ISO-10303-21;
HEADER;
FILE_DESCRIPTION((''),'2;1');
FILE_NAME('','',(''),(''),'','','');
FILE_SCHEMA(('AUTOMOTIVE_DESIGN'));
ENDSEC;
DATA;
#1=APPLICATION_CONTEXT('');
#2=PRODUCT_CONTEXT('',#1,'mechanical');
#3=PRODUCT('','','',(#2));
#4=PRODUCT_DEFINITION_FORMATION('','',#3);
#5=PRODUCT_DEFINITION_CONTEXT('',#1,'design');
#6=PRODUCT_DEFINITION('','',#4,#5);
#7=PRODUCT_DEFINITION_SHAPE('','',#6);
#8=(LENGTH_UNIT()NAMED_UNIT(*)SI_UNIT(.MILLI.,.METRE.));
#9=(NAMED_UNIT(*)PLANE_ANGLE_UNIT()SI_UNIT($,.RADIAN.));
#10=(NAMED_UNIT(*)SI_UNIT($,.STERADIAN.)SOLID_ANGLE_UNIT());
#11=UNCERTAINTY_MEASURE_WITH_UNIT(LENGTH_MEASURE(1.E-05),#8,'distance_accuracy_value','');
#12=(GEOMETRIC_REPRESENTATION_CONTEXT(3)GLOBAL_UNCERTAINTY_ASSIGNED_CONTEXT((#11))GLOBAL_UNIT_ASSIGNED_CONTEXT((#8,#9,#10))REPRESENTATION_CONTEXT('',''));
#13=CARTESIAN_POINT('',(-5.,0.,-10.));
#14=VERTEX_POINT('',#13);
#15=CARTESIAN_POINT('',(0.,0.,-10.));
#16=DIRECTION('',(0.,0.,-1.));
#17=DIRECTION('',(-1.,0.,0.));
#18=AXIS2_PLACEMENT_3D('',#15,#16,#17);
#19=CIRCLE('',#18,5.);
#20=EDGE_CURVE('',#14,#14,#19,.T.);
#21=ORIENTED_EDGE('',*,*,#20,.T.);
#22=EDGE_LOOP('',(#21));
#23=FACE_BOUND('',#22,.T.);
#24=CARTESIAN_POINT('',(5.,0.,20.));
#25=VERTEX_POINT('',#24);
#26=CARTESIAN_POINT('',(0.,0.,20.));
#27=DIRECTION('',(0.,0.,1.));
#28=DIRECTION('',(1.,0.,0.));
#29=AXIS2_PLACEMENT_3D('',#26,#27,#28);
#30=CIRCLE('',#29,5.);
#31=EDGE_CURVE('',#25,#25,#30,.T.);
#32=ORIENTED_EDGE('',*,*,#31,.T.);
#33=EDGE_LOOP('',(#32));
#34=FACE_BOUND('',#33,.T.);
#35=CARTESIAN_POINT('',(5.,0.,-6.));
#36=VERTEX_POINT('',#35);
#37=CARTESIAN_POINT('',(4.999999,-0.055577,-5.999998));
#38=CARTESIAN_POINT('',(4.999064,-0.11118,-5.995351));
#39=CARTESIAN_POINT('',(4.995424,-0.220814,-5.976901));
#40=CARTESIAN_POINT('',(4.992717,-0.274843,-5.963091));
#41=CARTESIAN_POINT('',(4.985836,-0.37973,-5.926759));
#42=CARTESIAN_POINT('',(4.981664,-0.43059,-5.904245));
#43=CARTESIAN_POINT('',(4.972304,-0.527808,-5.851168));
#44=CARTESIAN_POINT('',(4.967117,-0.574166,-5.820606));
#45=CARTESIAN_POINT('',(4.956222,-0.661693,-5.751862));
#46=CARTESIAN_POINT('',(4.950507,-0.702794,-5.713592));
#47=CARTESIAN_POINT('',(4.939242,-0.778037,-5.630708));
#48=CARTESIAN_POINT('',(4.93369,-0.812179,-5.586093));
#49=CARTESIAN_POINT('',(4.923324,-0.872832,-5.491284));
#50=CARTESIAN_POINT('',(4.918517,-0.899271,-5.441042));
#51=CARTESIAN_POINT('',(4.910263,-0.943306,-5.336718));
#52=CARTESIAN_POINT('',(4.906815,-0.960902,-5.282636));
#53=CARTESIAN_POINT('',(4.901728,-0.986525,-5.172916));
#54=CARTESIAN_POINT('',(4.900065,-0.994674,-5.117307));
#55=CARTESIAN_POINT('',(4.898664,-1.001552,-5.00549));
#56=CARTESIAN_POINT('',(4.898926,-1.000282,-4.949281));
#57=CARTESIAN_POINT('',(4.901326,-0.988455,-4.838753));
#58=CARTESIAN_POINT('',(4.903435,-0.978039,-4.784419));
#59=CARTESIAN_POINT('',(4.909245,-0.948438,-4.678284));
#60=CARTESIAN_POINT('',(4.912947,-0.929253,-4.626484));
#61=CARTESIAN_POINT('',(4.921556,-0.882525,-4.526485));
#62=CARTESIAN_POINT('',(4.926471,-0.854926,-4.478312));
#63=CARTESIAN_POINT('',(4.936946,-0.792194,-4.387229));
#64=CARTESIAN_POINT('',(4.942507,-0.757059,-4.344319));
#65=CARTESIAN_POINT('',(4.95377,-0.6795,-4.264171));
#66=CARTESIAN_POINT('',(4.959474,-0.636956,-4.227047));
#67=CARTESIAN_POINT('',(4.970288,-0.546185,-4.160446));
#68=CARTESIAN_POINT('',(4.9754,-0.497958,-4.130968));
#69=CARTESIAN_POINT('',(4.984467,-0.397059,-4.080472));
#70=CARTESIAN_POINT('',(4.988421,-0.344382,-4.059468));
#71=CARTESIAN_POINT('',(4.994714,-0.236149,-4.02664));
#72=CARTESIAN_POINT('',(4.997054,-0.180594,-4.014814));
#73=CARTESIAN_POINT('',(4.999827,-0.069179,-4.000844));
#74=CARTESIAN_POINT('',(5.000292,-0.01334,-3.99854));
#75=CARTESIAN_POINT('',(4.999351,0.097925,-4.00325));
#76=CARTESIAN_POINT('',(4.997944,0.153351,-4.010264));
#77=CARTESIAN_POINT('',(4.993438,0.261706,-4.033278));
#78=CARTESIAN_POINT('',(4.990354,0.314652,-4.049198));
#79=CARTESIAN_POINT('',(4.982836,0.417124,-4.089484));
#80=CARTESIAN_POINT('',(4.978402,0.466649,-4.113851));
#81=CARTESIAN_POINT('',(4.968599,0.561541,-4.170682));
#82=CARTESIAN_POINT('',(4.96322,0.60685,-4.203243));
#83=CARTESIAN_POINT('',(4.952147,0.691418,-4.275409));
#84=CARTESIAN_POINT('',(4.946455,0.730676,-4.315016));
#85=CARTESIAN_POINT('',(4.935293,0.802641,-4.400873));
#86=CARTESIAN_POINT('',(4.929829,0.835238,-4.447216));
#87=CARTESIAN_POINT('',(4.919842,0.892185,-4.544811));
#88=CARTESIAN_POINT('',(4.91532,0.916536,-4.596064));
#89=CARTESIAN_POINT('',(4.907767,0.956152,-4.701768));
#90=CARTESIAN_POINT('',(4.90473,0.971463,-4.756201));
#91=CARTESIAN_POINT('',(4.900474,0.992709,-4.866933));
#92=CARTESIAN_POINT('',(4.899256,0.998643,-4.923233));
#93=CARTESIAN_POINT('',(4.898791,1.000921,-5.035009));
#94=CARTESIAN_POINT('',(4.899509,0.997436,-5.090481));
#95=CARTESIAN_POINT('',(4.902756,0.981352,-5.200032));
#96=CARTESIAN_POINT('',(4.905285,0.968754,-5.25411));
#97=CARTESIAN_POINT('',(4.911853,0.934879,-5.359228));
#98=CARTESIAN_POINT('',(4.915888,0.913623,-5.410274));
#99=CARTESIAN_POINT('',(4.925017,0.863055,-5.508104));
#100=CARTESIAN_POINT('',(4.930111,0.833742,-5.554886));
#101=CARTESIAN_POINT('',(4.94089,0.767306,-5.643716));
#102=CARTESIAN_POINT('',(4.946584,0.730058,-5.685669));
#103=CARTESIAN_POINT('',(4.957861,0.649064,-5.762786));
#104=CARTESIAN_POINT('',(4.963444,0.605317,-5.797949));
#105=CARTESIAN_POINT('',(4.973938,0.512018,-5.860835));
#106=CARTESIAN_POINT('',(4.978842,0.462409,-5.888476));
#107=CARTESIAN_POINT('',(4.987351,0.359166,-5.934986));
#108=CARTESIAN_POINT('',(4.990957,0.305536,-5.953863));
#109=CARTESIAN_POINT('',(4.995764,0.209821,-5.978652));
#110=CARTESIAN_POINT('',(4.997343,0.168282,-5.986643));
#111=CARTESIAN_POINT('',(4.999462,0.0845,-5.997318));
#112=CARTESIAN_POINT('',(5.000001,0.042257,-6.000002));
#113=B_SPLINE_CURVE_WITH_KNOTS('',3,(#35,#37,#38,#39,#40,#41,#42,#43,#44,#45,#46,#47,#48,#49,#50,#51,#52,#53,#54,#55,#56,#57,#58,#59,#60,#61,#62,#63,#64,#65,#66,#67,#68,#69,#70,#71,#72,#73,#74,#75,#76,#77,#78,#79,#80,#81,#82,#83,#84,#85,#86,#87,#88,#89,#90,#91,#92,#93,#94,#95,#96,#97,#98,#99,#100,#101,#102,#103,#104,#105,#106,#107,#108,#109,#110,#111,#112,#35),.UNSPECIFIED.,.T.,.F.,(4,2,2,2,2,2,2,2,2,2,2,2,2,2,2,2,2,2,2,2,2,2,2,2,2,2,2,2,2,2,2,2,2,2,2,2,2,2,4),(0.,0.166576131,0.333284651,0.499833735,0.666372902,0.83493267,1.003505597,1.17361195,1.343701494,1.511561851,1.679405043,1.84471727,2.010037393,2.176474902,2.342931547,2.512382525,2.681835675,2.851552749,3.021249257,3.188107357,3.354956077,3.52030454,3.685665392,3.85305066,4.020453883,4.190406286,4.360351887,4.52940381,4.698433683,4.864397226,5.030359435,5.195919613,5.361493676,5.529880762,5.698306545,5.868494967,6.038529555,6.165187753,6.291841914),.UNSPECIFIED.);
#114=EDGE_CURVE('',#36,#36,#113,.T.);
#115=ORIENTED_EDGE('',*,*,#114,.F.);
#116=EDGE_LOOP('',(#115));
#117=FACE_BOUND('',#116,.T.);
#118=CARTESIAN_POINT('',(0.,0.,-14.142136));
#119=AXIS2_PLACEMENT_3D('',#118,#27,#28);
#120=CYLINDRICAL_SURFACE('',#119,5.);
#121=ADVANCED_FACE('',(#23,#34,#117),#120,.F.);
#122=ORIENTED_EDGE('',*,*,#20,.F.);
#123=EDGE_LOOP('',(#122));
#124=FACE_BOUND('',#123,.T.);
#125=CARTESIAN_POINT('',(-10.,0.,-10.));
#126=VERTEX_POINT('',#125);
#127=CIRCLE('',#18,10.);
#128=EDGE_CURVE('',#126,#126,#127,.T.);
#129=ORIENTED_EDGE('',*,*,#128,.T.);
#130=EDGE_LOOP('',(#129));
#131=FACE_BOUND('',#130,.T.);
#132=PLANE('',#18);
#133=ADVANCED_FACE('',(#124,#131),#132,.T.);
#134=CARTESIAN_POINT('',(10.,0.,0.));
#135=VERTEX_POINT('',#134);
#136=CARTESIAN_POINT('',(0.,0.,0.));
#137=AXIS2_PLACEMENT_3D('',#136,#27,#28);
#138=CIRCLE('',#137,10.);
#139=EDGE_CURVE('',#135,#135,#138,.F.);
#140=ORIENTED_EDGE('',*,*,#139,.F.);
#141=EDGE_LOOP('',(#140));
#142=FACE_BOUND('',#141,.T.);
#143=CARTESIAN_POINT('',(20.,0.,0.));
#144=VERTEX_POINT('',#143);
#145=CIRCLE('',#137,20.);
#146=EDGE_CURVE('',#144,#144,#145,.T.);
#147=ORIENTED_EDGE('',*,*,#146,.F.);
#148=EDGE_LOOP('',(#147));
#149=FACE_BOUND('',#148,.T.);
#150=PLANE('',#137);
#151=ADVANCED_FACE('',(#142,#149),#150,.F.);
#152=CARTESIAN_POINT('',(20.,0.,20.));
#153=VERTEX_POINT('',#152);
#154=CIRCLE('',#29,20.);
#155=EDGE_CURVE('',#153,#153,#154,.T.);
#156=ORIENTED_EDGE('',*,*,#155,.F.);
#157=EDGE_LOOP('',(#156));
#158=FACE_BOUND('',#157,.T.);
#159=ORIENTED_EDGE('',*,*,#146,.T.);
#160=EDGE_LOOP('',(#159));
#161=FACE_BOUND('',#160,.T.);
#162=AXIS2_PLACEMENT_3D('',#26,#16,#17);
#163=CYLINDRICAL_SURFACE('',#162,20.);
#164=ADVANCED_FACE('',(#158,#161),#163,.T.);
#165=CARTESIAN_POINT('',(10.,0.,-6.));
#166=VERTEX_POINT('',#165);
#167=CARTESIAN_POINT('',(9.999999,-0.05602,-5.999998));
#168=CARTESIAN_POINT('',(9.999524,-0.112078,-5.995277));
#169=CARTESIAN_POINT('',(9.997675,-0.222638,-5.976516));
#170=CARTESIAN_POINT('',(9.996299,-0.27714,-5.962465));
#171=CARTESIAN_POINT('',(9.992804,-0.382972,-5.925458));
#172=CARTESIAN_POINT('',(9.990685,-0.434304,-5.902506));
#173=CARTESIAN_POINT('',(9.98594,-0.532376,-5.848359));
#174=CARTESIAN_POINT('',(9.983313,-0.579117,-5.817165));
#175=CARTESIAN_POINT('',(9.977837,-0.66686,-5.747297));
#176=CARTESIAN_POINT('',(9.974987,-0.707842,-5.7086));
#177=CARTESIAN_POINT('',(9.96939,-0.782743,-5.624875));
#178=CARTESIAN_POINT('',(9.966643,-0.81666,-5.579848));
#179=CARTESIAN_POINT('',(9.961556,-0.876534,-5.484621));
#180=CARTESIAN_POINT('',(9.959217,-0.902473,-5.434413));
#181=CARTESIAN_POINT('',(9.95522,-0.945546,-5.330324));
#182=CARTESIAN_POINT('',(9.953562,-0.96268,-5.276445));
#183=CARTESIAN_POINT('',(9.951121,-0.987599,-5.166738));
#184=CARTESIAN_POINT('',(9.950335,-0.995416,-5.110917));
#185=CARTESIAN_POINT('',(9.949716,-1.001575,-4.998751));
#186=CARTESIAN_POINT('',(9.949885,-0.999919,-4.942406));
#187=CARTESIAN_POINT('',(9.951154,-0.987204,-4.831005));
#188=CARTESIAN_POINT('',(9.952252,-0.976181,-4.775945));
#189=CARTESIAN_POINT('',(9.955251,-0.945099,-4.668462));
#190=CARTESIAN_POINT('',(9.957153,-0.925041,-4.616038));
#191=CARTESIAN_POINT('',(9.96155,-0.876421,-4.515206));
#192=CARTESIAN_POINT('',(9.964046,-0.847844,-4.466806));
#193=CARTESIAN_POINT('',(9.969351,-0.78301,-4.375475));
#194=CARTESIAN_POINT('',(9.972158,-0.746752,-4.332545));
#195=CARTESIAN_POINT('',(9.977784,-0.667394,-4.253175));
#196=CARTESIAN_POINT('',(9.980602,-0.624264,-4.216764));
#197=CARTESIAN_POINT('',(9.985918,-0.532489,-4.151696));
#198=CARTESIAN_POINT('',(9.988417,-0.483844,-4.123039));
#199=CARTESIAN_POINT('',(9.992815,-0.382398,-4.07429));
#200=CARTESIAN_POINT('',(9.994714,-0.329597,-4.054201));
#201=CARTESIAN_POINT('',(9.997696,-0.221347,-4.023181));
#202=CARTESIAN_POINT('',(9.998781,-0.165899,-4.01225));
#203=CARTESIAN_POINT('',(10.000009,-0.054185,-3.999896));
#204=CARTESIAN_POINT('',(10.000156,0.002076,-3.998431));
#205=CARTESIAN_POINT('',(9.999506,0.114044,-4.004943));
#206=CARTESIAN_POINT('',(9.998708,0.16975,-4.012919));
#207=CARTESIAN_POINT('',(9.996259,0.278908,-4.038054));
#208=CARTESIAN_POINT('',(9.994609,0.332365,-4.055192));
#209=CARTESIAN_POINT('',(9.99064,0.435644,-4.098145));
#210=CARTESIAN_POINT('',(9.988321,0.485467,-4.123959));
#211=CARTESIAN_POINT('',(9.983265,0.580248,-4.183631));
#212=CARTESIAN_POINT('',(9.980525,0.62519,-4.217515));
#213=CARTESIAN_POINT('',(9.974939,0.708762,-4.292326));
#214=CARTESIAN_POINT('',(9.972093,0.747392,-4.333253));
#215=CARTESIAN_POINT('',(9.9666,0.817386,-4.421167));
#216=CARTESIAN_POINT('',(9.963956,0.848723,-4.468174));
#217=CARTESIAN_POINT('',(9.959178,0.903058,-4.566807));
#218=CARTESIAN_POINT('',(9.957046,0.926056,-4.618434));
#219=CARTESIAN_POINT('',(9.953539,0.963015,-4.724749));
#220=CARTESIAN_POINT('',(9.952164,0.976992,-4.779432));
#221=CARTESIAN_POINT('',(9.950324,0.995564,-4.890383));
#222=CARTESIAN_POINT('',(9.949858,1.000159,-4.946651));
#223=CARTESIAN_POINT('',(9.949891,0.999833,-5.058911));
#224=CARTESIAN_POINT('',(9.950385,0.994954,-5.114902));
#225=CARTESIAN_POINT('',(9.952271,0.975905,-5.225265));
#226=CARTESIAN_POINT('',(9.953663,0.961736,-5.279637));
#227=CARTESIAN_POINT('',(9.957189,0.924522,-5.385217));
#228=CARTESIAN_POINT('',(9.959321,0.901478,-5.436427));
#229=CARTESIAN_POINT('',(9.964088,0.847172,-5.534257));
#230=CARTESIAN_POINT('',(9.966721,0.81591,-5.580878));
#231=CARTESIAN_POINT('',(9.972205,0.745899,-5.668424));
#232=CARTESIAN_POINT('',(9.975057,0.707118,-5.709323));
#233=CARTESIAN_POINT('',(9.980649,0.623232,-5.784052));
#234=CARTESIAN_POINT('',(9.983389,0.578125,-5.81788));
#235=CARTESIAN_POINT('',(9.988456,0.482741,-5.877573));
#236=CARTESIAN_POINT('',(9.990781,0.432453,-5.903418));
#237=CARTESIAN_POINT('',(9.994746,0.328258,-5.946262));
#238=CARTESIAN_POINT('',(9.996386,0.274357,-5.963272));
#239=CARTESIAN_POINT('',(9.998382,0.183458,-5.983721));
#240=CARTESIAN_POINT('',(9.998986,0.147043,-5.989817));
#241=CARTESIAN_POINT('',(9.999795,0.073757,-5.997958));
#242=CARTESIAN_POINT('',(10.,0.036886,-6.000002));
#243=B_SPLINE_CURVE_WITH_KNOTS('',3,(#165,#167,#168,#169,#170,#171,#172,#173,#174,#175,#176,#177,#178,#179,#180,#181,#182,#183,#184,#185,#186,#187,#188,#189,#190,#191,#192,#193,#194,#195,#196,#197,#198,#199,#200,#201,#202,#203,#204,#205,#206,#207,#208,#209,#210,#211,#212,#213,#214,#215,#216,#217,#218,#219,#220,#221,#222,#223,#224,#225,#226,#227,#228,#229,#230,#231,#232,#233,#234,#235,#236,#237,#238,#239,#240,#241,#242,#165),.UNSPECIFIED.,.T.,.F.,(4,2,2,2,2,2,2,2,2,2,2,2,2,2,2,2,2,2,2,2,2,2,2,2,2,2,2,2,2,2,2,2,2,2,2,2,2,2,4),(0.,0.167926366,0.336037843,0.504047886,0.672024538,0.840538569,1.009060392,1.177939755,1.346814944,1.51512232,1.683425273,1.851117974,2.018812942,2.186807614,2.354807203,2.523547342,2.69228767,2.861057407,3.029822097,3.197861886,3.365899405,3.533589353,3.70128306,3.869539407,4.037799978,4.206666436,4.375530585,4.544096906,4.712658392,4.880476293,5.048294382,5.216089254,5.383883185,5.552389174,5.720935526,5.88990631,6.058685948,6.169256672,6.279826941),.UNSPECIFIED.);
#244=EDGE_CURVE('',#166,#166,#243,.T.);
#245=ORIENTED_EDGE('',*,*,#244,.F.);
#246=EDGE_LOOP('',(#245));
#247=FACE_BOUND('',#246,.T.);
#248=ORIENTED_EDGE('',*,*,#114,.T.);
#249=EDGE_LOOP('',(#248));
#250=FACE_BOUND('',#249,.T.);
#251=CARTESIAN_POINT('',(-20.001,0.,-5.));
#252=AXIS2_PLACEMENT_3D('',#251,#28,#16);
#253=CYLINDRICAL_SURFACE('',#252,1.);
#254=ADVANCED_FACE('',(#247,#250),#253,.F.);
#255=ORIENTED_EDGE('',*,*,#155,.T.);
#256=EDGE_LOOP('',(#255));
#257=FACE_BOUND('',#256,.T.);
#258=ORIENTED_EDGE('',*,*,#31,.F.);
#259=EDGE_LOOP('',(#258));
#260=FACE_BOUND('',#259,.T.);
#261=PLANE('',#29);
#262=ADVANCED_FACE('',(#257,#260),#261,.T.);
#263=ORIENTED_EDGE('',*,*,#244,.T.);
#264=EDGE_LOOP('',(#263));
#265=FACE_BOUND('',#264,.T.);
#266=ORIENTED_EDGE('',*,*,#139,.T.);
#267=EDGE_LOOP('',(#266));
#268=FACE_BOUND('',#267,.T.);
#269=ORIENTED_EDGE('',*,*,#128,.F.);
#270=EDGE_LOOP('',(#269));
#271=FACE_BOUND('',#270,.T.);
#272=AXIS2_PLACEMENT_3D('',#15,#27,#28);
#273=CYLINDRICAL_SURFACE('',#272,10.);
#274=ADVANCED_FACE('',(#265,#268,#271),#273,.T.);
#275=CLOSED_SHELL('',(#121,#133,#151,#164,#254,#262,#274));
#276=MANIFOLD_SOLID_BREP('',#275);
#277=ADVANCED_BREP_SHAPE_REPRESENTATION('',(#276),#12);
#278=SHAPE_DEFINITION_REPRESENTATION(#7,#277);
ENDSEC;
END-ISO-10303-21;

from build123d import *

# Parameters (mm, degrees)
SKETCH1_R               = 20
BOSS_EXTRUDE1_DEPTH     = 20
SKETCH2_R               = 5
CUT_EXTRUDE1_DEPTH      = 20
SKETCH3_R               = 10
SKETCH3_R_2             = 5
BOSS_EXTRUDE2_DEPTH     = 10
CUT_EXTRUDE2_REACH      = 43.231
CUT_EXTRUDE2_END_RADIUS = 5
SKETCH5_R               = 1


with BuildPart() as part:
    # Sketch1 → Boss-Extrude1 (new body)
    with BuildSketch(Plane.XY):
        Circle(SKETCH1_R)
    extrude(amount=BOSS_EXTRUDE1_DEPTH)

    # Sketch2 → Cut-Extrude1 (cut)
    with BuildSketch(Plane.XY.offset(20)):
        Circle(SKETCH2_R)
    extrude(amount=-CUT_EXTRUDE1_DEPTH, mode=Mode.SUBTRACT)

    # Sketch3 → Boss-Extrude2 (add)
    with BuildSketch(Plane(origin=(0, 0, 0), x_dir=(-1, 0, 0), z_dir=(0, 0, -1))):
        with Locations(Location((0, 0, 0), (0, 0, 180))):
            Circle(SKETCH3_R)
        with Locations(Location((0, 0, 0), (0, 0, 180))):
            Circle(SKETCH3_R_2, mode=Mode.SUBTRACT)
    extrude(amount=BOSS_EXTRUDE2_DEPTH)

    # Cut-Extrude2: up to this cylinder (the profile starts outside it)
    cut_extrude2_end = Plane(origin=(0, 0, -5), z_dir=(0, 0, 1)) * Cylinder(CUT_EXTRUDE2_END_RADIUS, 97.462, mode=Mode.PRIVATE)
    # Sketch5 → Cut-Extrude2 (cut, up to the surface)
    with BuildSketch(Plane(origin=(10, 0, 0), x_dir=(0, 0, -1), z_dir=(1, 0, 0)), mode=Mode.PRIVATE) as cut_extrude2_sk1:
        with Locations((5, 0)):
            Circle(SKETCH5_R)
    cut_extrude2_tool1 = extrude(cut_extrude2_sk1.sketch, amount=-CUT_EXTRUDE2_REACH, mode=Mode.PRIVATE) - cut_extrude2_end
    add(cut_extrude2_tool1.solids().sort_by_distance((10, 0, -5))[0], mode=Mode.SUBTRACT)


solid = part.part
